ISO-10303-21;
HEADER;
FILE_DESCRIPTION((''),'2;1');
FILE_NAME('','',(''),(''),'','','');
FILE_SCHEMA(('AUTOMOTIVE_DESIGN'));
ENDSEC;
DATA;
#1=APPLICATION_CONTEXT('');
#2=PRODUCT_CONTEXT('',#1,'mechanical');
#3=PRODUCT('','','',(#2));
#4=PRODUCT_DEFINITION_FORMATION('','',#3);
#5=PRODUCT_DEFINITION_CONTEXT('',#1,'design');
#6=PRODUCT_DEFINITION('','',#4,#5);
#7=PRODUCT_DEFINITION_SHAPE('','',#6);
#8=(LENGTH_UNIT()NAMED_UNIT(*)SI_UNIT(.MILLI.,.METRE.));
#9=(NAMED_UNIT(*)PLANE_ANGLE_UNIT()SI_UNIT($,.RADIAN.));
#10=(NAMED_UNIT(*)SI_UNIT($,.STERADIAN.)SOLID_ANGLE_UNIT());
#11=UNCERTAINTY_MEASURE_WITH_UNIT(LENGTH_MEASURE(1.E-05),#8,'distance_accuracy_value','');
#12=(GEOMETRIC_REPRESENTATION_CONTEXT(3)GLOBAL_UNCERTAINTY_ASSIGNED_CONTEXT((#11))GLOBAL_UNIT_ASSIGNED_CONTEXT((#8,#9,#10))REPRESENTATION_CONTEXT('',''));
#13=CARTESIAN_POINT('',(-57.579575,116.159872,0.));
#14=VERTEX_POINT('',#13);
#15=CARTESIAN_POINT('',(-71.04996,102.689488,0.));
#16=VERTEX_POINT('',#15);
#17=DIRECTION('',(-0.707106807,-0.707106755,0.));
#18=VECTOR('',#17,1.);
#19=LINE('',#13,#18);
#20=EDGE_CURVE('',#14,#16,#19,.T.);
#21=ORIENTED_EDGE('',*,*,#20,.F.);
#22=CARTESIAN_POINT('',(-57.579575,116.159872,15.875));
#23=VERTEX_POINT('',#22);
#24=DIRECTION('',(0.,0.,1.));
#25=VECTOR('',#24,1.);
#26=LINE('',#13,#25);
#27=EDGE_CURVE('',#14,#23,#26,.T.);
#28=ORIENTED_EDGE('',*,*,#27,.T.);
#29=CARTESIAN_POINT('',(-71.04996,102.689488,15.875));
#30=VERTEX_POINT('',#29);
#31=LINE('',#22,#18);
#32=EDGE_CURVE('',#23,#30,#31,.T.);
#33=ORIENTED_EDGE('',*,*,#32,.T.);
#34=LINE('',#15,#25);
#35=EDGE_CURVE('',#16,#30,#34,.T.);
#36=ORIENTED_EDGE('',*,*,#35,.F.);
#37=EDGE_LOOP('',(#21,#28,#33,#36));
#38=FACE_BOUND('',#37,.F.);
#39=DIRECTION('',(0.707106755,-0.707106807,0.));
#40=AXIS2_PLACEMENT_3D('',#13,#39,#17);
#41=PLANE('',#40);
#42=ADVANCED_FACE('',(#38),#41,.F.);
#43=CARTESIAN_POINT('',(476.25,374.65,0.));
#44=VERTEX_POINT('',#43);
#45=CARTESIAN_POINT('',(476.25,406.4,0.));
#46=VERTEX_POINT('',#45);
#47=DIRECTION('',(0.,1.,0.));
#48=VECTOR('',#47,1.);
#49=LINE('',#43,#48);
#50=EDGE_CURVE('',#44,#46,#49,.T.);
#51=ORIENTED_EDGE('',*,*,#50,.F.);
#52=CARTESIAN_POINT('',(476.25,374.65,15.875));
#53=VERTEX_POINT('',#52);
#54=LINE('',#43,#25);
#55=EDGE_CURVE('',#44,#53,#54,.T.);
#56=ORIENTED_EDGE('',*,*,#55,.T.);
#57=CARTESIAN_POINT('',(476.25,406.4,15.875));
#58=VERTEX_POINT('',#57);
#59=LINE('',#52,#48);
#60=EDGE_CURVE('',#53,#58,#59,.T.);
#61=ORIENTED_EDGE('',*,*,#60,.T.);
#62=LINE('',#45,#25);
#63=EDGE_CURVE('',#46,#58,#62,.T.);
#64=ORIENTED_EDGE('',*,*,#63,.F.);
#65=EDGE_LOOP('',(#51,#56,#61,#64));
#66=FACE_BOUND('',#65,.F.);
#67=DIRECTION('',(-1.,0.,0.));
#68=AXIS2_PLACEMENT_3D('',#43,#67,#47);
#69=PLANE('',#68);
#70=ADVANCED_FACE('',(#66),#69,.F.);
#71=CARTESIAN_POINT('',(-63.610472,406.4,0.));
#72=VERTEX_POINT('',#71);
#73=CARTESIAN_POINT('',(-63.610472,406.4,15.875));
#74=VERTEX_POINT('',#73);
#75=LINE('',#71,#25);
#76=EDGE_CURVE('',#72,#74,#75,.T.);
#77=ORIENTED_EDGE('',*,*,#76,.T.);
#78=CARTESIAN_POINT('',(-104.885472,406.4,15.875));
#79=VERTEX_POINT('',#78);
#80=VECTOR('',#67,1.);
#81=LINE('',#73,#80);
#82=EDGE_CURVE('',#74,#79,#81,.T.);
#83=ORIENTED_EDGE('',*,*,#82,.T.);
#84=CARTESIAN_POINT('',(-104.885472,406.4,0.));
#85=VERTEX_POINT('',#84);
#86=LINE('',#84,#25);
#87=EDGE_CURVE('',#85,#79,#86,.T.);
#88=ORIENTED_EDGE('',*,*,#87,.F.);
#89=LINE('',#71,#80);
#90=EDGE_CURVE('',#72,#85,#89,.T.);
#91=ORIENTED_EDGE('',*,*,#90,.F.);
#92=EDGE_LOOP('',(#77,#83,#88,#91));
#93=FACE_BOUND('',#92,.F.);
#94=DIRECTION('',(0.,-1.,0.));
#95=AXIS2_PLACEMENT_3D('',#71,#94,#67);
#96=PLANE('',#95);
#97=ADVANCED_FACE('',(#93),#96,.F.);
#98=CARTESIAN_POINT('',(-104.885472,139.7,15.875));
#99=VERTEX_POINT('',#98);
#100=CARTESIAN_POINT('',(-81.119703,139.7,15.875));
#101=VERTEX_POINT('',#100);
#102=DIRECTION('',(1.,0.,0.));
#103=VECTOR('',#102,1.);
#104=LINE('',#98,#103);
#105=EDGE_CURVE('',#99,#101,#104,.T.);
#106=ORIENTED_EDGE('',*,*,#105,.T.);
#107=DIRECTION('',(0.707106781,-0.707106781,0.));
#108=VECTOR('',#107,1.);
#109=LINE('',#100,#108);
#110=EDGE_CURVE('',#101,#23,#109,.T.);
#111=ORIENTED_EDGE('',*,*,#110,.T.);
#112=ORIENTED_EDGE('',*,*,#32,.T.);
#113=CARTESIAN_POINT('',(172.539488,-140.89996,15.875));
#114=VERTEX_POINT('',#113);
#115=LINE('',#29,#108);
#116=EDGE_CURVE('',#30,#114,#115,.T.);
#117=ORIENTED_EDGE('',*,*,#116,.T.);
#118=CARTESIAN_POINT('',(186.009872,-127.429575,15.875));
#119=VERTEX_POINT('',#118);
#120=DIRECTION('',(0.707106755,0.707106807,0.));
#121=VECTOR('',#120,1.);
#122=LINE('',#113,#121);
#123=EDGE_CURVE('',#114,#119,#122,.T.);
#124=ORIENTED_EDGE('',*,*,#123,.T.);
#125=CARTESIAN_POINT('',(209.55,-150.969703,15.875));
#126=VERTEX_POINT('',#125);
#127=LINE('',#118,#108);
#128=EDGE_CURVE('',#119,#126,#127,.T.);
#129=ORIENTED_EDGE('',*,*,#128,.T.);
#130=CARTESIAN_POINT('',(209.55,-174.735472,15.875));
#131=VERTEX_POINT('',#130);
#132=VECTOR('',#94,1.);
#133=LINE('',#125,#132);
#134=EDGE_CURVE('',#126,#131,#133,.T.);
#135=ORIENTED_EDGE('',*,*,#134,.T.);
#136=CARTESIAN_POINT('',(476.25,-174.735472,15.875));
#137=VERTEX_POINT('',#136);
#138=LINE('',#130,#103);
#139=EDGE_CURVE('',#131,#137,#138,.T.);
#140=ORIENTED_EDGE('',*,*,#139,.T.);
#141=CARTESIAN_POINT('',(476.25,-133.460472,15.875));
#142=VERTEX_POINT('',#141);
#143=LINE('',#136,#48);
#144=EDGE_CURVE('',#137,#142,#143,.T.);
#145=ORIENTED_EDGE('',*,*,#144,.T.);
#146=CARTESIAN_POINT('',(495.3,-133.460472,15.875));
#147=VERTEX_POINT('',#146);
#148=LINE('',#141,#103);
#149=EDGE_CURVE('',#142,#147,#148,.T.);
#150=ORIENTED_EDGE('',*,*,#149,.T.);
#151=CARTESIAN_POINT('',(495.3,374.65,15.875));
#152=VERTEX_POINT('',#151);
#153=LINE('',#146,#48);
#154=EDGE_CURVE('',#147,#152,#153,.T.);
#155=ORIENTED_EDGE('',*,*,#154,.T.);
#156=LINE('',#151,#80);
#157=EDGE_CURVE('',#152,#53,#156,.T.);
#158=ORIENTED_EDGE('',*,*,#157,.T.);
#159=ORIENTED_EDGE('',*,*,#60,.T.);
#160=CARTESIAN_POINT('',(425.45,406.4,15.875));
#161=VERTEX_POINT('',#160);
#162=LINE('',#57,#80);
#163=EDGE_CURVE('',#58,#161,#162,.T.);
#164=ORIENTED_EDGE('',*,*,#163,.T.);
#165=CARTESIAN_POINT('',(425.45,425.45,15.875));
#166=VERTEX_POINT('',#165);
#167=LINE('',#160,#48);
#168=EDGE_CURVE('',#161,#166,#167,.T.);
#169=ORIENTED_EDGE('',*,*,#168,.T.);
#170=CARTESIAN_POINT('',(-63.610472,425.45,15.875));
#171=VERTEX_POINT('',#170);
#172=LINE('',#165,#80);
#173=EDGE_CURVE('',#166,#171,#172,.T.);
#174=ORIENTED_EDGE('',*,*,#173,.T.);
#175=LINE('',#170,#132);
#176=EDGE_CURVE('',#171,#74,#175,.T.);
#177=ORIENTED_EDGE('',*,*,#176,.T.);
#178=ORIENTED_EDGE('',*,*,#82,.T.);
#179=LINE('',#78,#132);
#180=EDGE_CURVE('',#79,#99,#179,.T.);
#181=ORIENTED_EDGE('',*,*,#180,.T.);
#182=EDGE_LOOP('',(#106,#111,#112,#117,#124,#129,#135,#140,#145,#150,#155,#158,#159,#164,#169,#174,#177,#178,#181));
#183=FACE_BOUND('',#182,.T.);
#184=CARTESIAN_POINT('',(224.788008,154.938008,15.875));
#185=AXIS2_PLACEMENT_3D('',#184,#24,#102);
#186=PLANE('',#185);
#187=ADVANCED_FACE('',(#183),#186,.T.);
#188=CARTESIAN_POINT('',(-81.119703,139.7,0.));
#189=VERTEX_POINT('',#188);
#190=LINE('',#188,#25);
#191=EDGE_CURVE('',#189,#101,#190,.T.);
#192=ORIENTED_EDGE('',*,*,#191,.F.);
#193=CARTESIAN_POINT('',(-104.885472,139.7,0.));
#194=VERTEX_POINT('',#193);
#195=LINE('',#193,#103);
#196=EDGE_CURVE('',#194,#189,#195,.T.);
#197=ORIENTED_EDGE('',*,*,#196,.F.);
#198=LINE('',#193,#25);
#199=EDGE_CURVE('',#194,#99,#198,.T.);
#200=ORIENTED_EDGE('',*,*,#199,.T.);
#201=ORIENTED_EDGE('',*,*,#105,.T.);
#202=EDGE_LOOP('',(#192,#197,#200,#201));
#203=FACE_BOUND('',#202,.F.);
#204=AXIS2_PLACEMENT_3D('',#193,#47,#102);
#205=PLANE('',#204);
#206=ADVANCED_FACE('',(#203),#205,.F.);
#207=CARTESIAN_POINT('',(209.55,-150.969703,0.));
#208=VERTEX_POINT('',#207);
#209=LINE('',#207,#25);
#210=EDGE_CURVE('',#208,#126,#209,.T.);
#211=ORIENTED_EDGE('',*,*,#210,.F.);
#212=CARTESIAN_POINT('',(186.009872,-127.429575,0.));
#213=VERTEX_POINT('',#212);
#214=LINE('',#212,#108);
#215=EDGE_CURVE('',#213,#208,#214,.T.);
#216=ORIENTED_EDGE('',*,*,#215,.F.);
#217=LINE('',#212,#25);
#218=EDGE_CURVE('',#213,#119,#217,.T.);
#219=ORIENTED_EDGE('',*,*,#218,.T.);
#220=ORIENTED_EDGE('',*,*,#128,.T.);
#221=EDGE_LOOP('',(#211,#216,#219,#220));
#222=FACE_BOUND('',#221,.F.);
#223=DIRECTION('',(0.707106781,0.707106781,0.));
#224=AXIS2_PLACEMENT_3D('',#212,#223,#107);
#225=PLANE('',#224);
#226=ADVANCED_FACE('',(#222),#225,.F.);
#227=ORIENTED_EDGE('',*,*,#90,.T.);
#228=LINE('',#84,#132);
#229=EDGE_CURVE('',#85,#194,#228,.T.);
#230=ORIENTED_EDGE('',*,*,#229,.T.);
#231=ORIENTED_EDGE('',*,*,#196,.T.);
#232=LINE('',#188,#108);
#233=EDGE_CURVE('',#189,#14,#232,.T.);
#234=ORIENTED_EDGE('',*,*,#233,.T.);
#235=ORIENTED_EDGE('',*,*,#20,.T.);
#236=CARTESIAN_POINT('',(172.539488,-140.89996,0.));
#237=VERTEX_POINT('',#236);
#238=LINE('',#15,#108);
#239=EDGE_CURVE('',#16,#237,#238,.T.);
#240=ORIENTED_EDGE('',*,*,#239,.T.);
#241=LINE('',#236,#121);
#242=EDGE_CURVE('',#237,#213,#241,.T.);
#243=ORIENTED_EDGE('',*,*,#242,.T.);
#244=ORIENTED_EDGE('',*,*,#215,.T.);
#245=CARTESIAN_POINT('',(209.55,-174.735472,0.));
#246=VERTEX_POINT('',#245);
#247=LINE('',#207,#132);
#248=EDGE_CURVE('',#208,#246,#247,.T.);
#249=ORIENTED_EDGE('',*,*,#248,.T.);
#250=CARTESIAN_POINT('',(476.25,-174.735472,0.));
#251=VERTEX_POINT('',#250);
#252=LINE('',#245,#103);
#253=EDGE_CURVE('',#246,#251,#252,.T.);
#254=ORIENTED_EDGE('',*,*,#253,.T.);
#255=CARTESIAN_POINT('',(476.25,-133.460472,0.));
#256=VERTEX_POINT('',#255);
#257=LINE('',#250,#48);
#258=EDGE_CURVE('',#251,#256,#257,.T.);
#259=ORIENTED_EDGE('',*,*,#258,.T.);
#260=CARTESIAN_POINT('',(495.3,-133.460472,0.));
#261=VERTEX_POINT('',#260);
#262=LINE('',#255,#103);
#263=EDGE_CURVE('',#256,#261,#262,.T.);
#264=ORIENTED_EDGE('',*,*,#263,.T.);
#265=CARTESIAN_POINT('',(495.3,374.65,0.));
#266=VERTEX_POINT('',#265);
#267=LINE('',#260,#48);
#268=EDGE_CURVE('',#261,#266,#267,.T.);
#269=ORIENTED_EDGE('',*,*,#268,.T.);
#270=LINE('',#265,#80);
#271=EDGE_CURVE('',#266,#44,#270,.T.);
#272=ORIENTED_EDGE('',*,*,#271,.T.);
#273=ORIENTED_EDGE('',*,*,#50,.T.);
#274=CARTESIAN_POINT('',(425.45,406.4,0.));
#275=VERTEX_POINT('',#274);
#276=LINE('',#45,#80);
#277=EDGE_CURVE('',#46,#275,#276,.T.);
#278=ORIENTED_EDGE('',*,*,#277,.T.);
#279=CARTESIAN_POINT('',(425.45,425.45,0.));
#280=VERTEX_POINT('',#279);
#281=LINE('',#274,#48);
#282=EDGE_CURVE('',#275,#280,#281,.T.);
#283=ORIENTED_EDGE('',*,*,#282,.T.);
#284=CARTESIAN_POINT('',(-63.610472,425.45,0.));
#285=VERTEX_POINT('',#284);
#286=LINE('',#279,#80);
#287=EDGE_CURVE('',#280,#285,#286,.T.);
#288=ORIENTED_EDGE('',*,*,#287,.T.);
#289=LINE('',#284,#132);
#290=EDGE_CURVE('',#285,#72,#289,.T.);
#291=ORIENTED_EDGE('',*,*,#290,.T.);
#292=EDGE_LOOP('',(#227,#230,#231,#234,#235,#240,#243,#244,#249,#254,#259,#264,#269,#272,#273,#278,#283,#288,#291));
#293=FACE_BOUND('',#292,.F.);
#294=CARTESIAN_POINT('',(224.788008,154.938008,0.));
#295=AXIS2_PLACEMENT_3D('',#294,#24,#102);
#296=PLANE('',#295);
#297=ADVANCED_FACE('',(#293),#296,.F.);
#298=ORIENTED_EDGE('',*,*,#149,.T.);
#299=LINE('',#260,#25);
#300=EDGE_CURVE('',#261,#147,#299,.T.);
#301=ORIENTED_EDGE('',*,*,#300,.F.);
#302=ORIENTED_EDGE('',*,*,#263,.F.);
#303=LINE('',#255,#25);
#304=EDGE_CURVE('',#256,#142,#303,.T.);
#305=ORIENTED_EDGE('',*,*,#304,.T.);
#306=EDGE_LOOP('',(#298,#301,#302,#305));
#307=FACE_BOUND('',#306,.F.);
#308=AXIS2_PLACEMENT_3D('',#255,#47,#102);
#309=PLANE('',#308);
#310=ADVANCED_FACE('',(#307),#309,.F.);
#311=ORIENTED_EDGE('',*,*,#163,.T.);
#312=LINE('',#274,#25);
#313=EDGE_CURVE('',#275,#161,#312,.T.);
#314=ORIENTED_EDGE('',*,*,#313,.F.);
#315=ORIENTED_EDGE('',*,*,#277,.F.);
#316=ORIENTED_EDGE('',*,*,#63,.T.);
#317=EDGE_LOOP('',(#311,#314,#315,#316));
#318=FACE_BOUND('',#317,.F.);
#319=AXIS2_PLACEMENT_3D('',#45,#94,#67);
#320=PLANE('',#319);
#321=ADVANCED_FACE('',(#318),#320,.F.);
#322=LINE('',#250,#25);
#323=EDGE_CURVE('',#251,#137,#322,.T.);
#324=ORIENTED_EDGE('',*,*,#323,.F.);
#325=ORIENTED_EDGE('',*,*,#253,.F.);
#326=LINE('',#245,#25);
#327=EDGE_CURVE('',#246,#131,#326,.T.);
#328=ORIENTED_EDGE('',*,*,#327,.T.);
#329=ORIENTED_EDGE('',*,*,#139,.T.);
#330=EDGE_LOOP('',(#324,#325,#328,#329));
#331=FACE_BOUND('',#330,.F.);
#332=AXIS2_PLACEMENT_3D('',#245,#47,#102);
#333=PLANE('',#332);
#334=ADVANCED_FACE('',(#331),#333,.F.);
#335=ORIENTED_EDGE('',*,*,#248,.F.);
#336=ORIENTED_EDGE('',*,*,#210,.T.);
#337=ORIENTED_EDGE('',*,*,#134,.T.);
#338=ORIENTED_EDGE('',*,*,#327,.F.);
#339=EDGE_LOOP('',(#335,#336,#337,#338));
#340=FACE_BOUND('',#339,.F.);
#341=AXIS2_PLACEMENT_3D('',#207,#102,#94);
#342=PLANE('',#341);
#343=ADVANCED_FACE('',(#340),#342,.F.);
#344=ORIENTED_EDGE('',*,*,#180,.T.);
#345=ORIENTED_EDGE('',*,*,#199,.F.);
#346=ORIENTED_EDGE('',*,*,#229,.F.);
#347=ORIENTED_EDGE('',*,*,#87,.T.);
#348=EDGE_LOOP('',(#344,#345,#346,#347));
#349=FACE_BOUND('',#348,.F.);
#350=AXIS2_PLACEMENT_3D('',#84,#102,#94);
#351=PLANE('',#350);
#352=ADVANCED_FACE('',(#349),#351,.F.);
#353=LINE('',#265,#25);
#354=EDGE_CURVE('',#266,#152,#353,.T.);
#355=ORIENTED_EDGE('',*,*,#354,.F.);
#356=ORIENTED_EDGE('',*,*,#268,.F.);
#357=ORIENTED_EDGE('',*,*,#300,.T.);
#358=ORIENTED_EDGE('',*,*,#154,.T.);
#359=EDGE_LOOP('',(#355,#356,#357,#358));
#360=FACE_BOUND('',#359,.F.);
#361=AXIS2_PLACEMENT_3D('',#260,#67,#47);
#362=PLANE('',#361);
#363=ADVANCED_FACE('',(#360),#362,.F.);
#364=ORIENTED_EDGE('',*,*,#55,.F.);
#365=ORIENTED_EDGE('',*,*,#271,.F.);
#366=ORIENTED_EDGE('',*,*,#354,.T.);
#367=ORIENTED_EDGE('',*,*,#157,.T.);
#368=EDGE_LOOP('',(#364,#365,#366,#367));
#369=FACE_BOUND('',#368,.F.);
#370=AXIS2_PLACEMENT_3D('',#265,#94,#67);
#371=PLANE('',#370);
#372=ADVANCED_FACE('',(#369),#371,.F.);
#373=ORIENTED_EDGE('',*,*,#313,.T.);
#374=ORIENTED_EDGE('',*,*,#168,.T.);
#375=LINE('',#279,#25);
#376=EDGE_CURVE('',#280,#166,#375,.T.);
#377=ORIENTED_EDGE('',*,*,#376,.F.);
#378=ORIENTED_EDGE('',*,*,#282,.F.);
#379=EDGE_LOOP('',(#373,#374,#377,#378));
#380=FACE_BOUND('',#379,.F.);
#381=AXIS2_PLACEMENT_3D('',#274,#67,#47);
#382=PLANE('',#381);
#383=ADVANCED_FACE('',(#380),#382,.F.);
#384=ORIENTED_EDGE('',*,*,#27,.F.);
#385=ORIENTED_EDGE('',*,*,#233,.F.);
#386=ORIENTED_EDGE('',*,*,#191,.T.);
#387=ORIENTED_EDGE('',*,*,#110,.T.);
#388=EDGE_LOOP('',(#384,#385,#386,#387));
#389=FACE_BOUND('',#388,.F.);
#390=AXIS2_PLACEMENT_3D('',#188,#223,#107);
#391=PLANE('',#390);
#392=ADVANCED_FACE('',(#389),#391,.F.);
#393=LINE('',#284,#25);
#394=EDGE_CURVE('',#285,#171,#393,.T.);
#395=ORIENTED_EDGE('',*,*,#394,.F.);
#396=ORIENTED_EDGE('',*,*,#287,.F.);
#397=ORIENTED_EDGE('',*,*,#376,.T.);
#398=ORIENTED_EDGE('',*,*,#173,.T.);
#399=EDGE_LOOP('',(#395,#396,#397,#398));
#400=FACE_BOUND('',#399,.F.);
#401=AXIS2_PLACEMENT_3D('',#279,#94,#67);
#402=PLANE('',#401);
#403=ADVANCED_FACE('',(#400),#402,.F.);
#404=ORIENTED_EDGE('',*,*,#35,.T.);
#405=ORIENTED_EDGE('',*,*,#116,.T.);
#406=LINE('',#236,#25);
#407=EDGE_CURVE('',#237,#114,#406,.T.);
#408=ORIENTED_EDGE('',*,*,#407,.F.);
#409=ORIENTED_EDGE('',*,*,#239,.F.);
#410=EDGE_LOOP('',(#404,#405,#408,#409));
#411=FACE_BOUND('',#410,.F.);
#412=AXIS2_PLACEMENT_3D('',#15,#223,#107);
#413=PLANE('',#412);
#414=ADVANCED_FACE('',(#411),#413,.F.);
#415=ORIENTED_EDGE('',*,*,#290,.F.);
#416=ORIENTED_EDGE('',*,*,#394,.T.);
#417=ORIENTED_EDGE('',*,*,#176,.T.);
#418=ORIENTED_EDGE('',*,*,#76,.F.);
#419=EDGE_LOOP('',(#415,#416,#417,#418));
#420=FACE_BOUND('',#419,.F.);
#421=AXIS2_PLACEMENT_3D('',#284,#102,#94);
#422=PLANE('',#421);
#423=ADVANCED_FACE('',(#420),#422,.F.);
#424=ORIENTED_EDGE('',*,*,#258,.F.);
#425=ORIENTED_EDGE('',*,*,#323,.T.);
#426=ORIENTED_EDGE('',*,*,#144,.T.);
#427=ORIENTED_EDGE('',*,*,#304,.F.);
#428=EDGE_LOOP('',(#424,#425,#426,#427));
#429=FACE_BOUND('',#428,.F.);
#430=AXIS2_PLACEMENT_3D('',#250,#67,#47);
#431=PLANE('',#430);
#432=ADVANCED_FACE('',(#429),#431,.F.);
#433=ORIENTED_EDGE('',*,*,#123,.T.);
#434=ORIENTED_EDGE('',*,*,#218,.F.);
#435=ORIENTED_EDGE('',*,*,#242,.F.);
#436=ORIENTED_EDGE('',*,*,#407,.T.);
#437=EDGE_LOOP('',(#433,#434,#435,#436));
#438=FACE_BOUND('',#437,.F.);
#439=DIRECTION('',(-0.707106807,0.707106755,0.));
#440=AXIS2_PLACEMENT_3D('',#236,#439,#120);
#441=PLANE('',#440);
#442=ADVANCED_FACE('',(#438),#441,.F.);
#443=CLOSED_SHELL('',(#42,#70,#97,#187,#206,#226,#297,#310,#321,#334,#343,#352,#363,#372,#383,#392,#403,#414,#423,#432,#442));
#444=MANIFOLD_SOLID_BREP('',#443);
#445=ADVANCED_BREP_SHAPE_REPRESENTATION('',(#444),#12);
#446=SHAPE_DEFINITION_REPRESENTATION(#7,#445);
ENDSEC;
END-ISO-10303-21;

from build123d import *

# Parameters (mm, degrees)
F1_DEPTH = 15.875


with BuildPart() as f1:
    # F0 (on Top) → F1 (new body)
    with BuildSketch(Plane.XY):
        Polygon((-71.04996, 102.689488), (172.539488, -140.89996), (186.009872, -127.429575), (209.55, -150.969703), (209.55, -174.735472), (476.25, -174.735472), (476.25, -133.460472), (495.3, -133.460472), (495.3, 374.65), (476.25, 374.65), (476.25, 406.4), (425.45, 406.4), (425.45, 425.45), (-63.610472, 425.45), (-63.610472, 406.4), (-104.885472, 406.4), (-104.885472, 139.7), (-81.119703, 139.7), (-57.579575, 116.159872), align=None)
    extrude(amount=F1_DEPTH)


solid = f1.part
